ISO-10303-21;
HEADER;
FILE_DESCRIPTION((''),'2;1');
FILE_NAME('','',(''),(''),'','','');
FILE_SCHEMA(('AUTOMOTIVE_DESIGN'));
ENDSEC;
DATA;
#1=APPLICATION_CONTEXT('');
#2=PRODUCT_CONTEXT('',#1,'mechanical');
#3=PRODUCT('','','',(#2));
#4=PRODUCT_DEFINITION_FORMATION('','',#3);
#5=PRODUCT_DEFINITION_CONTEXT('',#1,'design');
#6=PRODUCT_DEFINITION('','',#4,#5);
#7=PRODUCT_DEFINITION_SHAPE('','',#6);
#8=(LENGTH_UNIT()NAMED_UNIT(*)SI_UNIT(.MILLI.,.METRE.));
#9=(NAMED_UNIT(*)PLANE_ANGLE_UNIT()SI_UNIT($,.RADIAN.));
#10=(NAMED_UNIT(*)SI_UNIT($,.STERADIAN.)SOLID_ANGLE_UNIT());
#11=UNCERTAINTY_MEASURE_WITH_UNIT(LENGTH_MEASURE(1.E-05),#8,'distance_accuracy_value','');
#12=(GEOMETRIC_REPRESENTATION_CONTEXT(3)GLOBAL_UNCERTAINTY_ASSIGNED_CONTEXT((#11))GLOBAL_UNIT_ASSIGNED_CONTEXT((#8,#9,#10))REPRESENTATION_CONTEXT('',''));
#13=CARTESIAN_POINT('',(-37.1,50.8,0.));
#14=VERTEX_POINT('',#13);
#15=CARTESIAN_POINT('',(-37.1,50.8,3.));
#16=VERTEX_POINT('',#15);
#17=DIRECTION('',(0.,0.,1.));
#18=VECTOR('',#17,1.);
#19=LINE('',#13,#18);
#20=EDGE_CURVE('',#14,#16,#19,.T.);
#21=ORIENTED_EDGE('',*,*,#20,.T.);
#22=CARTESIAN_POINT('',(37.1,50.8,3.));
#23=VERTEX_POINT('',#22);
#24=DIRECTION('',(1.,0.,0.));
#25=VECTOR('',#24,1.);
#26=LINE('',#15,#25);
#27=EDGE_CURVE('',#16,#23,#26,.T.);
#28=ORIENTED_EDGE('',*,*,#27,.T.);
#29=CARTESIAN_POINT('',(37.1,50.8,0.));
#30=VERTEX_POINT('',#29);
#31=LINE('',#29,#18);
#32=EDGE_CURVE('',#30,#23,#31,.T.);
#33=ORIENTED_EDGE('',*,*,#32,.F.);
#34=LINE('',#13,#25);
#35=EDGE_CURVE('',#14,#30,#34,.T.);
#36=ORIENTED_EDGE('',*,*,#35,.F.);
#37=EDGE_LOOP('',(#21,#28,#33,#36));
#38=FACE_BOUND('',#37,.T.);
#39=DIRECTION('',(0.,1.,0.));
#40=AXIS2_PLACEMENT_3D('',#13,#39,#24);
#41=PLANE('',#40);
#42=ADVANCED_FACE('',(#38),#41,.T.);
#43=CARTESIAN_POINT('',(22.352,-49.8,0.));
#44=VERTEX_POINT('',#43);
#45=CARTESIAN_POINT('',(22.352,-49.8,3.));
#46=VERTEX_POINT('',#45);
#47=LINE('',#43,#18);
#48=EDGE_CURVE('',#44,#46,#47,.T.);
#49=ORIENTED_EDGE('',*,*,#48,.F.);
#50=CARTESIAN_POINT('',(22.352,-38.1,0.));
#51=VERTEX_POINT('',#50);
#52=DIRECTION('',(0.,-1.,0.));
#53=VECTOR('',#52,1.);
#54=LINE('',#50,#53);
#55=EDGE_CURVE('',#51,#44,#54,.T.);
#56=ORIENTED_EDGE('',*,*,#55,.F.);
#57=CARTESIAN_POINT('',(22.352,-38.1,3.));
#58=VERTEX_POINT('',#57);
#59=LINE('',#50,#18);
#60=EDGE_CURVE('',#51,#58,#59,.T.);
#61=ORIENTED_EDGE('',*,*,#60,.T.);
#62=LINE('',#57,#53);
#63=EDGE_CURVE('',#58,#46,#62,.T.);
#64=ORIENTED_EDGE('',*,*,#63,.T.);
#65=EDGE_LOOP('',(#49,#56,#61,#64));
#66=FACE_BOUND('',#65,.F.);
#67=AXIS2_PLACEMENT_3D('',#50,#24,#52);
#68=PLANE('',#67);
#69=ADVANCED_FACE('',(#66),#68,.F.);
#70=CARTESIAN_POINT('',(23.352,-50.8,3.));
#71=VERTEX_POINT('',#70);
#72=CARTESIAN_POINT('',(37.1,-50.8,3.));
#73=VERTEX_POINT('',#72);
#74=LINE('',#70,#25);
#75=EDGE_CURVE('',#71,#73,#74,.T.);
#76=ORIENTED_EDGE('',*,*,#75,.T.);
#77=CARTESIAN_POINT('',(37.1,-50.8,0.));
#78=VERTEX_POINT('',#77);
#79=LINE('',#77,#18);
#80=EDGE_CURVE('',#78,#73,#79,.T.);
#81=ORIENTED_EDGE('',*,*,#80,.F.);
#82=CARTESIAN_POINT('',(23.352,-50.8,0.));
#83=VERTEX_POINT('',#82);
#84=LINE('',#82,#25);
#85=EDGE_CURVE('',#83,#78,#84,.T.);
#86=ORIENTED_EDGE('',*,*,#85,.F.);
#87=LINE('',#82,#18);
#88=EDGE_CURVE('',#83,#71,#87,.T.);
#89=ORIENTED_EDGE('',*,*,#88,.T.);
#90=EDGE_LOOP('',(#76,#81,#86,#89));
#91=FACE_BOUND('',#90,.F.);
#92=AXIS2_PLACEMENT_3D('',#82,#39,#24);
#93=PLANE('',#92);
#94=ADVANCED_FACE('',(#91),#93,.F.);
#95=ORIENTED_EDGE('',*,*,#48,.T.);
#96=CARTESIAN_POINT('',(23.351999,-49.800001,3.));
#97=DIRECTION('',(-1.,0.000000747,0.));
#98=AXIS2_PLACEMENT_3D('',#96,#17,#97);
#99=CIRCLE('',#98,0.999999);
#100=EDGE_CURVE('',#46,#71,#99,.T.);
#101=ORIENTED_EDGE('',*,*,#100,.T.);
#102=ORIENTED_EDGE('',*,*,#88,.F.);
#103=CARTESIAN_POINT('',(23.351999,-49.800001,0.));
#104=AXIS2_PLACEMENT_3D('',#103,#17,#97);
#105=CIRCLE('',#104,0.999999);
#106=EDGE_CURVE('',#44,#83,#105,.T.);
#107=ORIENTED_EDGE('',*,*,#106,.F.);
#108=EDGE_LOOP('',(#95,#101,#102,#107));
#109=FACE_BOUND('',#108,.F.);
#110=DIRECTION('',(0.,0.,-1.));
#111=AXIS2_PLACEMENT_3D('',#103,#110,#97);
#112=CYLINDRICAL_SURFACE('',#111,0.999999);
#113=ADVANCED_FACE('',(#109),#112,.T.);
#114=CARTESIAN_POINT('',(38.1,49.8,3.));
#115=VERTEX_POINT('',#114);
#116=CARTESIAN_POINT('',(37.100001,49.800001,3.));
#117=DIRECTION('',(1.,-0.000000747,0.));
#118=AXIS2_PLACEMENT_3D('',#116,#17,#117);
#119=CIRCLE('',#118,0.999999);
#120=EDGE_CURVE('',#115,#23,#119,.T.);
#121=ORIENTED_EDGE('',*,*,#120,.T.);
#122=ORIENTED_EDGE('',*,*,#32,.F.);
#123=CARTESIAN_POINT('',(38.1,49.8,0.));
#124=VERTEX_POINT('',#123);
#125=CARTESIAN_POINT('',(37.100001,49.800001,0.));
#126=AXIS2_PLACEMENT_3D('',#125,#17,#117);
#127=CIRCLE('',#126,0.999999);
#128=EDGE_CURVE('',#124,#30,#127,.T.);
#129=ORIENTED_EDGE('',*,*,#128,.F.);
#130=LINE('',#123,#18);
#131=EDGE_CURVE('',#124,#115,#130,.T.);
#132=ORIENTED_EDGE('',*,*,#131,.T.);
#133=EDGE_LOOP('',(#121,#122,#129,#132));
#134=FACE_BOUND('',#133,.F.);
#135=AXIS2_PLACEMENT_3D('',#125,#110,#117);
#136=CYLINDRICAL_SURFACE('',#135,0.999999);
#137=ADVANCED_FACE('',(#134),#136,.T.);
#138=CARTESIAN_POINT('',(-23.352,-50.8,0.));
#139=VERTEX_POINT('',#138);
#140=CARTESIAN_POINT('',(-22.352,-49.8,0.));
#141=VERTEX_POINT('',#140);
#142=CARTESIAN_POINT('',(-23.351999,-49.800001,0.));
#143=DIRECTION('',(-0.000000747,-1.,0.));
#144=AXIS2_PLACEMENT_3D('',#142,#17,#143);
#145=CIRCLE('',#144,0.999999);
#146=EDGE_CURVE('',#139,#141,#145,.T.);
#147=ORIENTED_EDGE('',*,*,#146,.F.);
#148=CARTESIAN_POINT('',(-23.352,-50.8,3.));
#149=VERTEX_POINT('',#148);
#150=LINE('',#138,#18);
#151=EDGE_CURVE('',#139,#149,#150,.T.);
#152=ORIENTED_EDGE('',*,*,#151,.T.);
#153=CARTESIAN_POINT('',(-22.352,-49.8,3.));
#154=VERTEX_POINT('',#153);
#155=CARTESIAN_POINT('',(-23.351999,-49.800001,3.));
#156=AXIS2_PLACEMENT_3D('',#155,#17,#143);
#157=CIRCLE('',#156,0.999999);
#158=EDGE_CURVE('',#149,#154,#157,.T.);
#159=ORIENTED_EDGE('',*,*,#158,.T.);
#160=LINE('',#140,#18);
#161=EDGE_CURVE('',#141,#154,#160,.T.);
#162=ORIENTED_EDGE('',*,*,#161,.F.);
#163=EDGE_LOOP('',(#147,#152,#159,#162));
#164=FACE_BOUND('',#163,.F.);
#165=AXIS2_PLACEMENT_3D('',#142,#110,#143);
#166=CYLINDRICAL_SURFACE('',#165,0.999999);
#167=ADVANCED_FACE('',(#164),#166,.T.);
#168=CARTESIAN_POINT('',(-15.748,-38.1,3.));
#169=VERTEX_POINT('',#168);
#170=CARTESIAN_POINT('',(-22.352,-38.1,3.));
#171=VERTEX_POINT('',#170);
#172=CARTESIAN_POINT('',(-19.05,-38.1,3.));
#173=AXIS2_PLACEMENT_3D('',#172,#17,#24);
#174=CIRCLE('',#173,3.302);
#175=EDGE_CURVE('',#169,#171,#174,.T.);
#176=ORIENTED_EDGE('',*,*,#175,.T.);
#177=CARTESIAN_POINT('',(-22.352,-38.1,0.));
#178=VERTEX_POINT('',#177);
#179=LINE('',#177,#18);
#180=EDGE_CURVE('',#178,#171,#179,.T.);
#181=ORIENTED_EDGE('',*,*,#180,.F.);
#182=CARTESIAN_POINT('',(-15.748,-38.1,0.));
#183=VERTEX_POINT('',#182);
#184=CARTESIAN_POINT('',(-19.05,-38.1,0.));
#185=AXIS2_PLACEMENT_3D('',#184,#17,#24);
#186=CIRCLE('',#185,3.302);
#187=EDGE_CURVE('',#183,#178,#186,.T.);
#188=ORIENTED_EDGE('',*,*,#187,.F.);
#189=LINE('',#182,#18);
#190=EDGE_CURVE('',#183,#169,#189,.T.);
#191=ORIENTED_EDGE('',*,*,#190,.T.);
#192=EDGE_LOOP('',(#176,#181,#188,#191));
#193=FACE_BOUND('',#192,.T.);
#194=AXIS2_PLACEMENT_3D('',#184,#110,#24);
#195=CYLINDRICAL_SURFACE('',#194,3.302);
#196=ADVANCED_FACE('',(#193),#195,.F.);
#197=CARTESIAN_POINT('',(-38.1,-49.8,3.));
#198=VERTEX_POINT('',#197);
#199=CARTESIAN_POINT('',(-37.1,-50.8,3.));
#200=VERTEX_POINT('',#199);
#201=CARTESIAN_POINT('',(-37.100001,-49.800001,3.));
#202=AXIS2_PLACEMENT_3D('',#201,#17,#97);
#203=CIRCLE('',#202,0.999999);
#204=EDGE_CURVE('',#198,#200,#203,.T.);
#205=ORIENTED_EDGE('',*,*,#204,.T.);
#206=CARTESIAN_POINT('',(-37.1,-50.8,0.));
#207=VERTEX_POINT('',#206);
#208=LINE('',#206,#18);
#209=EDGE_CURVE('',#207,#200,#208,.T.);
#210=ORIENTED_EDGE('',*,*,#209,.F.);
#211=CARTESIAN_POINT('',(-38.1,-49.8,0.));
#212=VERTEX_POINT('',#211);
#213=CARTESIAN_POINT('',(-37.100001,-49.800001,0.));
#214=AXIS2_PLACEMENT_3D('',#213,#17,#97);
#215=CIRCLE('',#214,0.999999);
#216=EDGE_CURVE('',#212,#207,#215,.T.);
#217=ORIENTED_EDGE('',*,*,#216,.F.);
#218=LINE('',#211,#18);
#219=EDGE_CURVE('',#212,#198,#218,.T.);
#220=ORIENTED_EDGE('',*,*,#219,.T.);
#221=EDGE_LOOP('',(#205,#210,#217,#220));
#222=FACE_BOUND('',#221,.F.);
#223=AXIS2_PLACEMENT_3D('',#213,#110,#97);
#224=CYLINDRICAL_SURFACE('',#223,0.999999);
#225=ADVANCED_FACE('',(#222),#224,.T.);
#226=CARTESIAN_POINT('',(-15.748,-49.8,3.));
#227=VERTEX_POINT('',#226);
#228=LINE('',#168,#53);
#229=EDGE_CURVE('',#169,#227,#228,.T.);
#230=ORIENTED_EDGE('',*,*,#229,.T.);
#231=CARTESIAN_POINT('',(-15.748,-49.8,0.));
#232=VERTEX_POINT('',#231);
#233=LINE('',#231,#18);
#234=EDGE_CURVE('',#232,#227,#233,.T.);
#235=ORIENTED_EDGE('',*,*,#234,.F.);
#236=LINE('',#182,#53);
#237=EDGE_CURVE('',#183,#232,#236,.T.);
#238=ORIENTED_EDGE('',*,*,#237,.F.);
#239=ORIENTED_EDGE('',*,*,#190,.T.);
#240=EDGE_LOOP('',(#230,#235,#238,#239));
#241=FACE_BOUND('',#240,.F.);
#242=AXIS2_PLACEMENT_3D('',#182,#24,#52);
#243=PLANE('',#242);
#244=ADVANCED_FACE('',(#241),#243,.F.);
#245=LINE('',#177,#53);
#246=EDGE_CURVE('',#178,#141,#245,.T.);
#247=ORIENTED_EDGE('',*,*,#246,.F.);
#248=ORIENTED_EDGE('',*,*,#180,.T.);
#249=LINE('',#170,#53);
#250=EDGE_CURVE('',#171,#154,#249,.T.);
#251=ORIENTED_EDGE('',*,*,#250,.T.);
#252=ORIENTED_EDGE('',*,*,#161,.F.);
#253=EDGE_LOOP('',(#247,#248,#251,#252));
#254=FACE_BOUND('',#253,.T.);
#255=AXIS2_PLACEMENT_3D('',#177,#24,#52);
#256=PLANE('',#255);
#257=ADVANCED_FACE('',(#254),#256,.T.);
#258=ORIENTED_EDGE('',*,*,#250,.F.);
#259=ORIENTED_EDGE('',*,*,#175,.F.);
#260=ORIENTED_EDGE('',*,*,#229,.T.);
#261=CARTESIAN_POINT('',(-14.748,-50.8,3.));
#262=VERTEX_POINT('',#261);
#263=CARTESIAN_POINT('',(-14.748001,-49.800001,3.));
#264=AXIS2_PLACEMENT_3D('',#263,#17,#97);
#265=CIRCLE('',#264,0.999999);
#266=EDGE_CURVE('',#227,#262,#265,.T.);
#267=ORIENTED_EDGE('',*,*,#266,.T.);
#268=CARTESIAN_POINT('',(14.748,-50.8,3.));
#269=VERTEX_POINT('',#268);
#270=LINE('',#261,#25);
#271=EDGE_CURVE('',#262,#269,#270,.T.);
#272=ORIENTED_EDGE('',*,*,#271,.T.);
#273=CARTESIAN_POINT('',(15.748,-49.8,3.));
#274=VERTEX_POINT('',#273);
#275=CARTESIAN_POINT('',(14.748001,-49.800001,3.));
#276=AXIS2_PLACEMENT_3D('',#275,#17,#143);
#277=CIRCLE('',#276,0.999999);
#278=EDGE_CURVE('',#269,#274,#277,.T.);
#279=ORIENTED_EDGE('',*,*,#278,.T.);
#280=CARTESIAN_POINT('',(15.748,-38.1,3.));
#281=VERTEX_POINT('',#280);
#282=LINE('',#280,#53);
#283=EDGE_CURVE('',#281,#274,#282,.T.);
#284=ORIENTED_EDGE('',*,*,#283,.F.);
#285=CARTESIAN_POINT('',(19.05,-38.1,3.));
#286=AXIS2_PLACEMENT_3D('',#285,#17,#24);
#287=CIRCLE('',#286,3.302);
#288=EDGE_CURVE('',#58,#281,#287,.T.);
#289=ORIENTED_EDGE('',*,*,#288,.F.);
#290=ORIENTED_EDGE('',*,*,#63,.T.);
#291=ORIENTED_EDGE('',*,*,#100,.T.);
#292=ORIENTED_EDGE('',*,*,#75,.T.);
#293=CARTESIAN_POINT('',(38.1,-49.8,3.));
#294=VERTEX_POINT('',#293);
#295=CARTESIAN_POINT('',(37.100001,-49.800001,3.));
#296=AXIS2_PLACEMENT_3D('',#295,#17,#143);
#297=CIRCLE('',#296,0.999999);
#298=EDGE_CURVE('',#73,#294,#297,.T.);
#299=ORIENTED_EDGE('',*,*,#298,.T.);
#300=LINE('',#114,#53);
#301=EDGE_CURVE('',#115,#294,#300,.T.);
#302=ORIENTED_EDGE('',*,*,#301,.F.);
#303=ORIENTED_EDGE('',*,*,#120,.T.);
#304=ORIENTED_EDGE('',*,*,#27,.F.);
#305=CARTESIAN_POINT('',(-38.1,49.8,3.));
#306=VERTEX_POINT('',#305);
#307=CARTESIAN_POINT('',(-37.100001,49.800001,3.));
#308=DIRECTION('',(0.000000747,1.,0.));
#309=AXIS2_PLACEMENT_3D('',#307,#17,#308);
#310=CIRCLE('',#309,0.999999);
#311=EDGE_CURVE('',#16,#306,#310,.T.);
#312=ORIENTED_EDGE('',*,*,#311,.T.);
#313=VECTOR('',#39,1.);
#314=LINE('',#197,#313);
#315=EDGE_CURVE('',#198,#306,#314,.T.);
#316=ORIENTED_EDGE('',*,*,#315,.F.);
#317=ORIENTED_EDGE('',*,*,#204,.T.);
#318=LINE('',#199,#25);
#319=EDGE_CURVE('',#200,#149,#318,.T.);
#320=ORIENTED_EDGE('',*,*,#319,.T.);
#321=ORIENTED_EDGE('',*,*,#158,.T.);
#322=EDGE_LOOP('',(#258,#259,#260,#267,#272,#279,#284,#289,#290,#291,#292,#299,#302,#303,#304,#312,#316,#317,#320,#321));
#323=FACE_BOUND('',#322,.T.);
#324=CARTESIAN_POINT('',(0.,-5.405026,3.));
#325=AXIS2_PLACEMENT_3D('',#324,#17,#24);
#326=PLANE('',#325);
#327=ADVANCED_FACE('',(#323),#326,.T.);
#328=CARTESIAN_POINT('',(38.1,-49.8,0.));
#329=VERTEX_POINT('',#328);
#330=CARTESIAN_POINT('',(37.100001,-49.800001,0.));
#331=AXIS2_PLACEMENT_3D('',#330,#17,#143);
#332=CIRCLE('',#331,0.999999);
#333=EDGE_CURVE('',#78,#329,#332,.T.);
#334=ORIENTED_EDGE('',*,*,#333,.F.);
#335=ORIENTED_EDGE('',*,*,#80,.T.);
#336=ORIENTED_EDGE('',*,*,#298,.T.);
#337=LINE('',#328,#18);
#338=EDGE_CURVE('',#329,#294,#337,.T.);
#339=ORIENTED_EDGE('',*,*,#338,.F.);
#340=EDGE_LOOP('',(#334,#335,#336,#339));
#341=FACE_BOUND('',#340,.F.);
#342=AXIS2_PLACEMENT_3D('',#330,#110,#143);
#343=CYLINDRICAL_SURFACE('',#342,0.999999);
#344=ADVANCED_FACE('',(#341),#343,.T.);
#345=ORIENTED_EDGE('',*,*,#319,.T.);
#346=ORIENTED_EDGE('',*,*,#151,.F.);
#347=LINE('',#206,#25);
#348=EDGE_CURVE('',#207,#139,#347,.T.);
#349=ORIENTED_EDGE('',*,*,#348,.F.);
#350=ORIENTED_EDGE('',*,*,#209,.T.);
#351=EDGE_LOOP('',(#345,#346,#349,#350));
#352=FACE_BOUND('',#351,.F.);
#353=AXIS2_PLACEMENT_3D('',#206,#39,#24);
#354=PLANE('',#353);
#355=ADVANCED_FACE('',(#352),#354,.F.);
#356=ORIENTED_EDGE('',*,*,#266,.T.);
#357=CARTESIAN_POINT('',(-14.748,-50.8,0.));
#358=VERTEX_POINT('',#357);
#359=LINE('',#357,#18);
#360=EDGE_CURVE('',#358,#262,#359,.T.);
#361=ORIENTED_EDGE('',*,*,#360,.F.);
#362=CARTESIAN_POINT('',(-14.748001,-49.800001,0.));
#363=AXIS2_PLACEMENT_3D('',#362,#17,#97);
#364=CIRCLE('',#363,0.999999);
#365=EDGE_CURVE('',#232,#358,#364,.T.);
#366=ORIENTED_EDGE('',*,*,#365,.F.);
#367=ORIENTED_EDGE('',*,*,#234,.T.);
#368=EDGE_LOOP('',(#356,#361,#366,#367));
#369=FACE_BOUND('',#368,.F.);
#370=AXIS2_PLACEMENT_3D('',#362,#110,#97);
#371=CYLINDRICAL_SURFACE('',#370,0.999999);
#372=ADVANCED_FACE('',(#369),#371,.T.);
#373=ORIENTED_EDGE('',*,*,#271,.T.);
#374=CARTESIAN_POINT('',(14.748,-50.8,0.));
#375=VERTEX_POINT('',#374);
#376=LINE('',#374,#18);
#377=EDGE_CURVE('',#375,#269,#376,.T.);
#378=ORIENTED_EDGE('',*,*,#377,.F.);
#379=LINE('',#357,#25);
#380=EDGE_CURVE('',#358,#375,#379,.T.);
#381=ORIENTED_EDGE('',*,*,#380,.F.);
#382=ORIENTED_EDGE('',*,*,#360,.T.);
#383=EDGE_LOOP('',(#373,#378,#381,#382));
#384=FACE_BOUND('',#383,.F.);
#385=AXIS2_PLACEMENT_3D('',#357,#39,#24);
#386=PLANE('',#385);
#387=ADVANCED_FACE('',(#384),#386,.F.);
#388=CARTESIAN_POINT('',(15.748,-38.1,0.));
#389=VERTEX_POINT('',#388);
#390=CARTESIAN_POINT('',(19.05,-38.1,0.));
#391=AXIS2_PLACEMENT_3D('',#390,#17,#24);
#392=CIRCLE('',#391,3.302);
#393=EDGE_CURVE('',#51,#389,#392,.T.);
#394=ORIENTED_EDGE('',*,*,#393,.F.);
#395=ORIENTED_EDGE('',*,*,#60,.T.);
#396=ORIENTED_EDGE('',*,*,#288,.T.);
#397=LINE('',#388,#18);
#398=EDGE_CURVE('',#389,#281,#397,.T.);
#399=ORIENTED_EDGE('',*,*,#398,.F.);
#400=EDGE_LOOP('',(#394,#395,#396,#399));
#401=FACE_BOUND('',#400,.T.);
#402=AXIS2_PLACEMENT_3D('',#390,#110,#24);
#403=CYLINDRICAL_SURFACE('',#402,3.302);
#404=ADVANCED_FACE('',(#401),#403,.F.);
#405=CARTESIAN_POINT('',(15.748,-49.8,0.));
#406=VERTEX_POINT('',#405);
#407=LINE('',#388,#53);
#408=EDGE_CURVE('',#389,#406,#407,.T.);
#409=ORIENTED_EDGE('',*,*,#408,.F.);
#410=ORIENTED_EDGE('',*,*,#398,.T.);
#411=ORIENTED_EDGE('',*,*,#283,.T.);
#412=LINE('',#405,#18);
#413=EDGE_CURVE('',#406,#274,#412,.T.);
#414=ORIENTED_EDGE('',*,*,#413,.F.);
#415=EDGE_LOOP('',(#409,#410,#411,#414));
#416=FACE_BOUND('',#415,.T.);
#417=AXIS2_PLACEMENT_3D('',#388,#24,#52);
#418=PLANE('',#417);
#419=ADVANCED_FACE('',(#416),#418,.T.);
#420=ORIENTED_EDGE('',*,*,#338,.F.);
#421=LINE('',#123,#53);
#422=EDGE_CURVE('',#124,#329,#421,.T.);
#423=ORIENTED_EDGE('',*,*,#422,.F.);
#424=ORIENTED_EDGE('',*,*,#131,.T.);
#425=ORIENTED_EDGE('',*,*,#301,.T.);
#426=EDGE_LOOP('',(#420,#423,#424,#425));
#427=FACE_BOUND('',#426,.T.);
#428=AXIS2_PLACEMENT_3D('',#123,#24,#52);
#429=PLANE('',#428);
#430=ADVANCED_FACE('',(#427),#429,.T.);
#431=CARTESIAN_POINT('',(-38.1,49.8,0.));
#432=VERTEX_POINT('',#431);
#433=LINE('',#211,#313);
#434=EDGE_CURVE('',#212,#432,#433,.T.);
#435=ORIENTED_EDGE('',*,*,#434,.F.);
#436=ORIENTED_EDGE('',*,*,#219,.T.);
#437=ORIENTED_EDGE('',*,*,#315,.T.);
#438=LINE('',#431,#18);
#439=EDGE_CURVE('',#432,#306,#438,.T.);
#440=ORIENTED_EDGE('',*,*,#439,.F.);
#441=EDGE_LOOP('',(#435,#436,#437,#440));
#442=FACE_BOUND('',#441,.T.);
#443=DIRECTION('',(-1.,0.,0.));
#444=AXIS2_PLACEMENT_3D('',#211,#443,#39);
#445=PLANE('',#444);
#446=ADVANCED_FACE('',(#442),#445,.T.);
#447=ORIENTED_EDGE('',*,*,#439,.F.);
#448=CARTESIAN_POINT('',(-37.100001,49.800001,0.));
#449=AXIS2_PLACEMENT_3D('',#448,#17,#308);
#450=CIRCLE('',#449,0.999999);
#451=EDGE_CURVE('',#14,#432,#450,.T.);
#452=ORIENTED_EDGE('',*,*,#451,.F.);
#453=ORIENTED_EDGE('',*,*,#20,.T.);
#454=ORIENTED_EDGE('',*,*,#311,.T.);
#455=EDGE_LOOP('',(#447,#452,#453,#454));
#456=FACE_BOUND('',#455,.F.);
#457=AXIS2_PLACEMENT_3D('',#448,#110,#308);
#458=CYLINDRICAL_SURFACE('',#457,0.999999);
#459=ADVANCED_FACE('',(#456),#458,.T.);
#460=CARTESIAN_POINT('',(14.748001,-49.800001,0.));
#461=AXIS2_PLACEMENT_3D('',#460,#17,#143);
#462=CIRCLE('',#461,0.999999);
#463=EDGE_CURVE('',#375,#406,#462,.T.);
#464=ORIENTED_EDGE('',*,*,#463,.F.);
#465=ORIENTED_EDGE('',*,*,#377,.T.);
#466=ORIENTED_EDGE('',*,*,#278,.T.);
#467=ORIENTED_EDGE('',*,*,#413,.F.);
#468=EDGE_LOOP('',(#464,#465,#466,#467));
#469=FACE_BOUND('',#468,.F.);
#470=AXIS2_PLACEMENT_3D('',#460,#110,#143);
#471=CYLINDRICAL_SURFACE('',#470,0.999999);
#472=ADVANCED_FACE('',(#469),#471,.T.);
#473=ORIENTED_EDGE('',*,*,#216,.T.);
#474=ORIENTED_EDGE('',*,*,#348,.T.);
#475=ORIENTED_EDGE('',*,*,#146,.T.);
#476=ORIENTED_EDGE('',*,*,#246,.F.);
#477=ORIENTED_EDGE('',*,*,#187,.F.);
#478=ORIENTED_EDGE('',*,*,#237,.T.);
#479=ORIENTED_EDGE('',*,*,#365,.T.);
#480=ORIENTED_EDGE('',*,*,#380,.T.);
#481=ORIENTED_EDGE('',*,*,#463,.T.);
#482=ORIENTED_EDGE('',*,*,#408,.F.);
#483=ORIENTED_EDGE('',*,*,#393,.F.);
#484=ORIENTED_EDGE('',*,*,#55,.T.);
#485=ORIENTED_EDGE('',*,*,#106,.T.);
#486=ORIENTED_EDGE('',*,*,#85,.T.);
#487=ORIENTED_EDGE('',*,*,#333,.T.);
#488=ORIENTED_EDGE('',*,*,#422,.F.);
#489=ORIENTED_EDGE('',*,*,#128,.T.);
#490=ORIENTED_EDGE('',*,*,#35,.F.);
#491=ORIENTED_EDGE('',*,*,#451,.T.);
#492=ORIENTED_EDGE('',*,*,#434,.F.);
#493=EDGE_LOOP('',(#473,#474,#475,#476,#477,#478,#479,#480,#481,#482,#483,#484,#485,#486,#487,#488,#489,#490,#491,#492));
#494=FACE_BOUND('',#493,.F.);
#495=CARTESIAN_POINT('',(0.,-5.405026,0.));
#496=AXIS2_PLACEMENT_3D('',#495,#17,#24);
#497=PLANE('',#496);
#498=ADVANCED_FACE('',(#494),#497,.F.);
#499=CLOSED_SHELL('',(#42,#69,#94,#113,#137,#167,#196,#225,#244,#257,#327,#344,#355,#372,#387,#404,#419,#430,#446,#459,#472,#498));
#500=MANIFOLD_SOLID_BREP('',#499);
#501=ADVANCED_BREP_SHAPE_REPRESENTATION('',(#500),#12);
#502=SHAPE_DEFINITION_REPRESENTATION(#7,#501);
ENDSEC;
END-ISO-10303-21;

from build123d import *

# Parameters (mm, degrees)
PAD_DEPTH = 3


with BuildPart() as part:
    # Sketch → Pad (new body)
    with BuildSketch(Plane.XY):
        with BuildLine():
            ThreePointArc((-37.1, 50.8), (-37.807107, 50.507107), (-38.1, 49.8))
            Line((-38.1, -49.8), (-38.1, 49.8))
            ThreePointArc((-38.1, -49.8), (-37.807107, -50.507107), (-37.1, -50.8))
            Line((-37.1, -50.8), (-23.352, -50.8))
            ThreePointArc((-23.352, -50.8), (-22.644893, -50.507107), (-22.352, -49.8))
            Line((-22.352, -38.1), (-22.352, -49.8))
            ThreePointArc((-15.748, -38.1), (-19.05, -34.798), (-22.352, -38.1))
            Line((-15.748, -38.1), (-15.748, -49.8))
            ThreePointArc((-15.748, -49.8), (-15.455107, -50.507107), (-14.748, -50.8))
            Line((-14.748, -50.8), (14.748, -50.8))
            ThreePointArc((14.748, -50.8), (15.455107, -50.507107), (15.748, -49.8))
            Line((15.748, -38.1), (15.748, -49.8))
            ThreePointArc((22.352, -38.1), (19.05, -34.798), (15.748, -38.1))
            Line((22.352, -38.1), (22.352, -49.8))
            ThreePointArc((22.352, -49.8), (22.644893, -50.507107), (23.352, -50.8))
            Line((23.352, -50.8), (37.1, -50.8))
            ThreePointArc((37.1, -50.8), (37.807107, -50.507107), (38.1, -49.8))
            Line((38.1, 49.8), (38.1, -49.8))
            ThreePointArc((38.1, 49.8), (37.807107, 50.507107), (37.1, 50.8))
            Line((-37.1, 50.8), (37.1, 50.8))
        make_face()
    extrude(amount=PAD_DEPTH)


solid = part.part
